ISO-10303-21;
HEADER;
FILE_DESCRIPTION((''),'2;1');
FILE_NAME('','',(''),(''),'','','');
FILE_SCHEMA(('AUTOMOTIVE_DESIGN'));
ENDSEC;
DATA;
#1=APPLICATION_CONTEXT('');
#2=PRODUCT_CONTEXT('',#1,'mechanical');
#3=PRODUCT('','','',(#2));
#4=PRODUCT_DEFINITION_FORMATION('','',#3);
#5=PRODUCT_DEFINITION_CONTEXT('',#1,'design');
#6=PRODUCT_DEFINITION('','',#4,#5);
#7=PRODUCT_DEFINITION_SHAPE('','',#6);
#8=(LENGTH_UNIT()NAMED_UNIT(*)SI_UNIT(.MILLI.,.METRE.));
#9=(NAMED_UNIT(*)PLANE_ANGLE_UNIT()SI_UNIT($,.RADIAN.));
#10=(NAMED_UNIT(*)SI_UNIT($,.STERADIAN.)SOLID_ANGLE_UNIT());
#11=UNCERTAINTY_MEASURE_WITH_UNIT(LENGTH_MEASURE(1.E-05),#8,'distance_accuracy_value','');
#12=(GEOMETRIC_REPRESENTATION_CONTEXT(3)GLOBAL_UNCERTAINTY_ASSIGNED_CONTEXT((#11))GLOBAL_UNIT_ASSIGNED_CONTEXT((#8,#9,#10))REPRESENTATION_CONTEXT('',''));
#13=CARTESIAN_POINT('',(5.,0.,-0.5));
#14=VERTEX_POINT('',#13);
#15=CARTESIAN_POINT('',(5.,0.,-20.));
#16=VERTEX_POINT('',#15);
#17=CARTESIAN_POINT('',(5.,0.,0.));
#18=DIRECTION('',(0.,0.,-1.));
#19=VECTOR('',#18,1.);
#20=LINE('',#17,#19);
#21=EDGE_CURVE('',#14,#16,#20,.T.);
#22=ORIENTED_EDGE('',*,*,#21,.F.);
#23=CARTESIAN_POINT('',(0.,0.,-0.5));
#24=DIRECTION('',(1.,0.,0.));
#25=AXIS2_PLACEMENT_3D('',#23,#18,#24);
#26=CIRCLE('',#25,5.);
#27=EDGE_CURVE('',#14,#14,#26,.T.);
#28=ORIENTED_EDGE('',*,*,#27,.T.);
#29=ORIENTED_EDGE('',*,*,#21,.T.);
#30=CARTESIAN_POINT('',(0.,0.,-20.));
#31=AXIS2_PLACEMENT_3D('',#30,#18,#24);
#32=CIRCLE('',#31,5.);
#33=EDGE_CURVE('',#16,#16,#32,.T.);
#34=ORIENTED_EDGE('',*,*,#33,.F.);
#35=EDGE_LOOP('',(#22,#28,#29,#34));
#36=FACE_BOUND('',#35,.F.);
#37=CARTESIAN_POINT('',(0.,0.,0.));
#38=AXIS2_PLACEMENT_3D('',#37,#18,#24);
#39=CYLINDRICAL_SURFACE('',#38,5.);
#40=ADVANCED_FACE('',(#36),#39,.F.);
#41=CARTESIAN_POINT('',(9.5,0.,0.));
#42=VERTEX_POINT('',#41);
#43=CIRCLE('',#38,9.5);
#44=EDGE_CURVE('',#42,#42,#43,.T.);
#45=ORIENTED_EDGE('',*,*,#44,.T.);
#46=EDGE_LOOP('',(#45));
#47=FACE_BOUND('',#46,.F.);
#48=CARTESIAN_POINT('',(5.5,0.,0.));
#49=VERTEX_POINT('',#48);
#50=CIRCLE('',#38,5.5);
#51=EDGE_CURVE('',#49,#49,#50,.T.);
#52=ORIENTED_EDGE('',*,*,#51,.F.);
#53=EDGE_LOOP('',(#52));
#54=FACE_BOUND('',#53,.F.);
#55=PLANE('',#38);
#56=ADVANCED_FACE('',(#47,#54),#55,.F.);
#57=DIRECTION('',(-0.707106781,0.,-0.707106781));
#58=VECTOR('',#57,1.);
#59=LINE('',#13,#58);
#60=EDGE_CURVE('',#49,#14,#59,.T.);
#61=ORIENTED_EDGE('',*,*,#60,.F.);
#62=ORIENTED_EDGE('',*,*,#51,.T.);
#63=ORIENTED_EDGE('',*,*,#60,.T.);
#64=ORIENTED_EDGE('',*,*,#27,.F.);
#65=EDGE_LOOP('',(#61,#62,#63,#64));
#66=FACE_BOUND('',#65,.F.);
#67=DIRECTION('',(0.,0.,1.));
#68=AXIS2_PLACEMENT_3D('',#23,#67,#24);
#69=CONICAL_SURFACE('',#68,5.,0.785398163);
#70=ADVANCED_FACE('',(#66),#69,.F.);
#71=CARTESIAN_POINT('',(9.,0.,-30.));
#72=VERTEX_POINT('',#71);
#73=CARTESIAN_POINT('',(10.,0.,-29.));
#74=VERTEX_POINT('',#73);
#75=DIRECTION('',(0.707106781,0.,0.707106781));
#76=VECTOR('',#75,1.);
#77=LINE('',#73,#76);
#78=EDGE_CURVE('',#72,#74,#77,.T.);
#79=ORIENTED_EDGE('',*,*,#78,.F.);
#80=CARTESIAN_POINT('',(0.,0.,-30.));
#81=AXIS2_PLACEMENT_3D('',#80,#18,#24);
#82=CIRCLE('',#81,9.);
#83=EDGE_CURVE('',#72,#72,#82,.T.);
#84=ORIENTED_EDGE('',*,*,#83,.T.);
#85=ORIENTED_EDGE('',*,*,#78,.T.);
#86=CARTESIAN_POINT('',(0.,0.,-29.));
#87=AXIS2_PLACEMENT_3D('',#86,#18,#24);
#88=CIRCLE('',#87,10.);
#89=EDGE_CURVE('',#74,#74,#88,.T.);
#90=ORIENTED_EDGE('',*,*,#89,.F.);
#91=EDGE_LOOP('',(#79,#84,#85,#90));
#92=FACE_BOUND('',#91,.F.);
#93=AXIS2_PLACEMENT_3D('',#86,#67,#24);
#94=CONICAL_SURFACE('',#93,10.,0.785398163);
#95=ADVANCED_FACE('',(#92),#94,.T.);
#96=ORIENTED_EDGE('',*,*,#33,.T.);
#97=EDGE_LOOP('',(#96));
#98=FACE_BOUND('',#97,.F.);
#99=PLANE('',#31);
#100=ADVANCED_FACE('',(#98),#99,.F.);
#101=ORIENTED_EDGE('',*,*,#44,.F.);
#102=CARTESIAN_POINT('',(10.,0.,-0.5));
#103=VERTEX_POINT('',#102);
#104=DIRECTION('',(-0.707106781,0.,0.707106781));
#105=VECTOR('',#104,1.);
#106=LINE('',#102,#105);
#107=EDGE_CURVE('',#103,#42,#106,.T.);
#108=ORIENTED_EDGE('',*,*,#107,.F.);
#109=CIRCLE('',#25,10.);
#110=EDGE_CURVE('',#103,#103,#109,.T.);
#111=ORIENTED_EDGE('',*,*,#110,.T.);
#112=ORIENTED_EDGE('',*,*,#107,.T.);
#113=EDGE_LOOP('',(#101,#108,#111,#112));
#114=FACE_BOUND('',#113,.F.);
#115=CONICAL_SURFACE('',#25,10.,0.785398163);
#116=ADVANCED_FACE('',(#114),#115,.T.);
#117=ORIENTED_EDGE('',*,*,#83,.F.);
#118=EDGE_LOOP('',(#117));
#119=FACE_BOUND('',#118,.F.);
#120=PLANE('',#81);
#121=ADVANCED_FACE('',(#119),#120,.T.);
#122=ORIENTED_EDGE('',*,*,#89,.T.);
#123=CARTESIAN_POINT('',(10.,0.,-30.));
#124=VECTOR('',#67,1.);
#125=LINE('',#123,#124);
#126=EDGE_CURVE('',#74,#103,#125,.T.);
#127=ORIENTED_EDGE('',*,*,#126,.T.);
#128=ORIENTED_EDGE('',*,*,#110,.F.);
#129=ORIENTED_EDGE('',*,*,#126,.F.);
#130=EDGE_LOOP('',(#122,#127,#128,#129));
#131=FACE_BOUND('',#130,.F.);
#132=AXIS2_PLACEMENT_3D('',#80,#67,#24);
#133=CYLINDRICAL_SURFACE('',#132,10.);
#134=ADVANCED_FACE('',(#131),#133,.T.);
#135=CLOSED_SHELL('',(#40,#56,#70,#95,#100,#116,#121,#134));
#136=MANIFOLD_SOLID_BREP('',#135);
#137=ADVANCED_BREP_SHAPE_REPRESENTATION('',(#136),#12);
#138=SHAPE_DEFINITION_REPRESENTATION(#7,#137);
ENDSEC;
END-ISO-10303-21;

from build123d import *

# Parameters (mm, degrees)
F2_SIZE = 1
F3_SIZE = 0.5


with BuildPart() as f1:
    # F0 (on Front) → F1 (revolve)
    with BuildSketch(Plane.XZ):
        Polygon((0, -20), (0, -30), (10, -30), (10, 0), (5, 0), (5, -20), align=None)
    revolve(axis=Axis((0, 0, -25), (0, 0, -1)))

    # F2
    f2_edges = [f1.edges().sort_by_distance(p)[0] for p in [
        (-10, 0, -30),
    ]]
    chamfer(f2_edges, length=F2_SIZE)

    # F3
    f3_edges = [f1.edges().sort_by_distance(p)[0] for p in [
        (-10, 0, 0),
        (-5, 0, 0),
    ]]
    chamfer(f3_edges, length=F3_SIZE)


solid = f1.part
